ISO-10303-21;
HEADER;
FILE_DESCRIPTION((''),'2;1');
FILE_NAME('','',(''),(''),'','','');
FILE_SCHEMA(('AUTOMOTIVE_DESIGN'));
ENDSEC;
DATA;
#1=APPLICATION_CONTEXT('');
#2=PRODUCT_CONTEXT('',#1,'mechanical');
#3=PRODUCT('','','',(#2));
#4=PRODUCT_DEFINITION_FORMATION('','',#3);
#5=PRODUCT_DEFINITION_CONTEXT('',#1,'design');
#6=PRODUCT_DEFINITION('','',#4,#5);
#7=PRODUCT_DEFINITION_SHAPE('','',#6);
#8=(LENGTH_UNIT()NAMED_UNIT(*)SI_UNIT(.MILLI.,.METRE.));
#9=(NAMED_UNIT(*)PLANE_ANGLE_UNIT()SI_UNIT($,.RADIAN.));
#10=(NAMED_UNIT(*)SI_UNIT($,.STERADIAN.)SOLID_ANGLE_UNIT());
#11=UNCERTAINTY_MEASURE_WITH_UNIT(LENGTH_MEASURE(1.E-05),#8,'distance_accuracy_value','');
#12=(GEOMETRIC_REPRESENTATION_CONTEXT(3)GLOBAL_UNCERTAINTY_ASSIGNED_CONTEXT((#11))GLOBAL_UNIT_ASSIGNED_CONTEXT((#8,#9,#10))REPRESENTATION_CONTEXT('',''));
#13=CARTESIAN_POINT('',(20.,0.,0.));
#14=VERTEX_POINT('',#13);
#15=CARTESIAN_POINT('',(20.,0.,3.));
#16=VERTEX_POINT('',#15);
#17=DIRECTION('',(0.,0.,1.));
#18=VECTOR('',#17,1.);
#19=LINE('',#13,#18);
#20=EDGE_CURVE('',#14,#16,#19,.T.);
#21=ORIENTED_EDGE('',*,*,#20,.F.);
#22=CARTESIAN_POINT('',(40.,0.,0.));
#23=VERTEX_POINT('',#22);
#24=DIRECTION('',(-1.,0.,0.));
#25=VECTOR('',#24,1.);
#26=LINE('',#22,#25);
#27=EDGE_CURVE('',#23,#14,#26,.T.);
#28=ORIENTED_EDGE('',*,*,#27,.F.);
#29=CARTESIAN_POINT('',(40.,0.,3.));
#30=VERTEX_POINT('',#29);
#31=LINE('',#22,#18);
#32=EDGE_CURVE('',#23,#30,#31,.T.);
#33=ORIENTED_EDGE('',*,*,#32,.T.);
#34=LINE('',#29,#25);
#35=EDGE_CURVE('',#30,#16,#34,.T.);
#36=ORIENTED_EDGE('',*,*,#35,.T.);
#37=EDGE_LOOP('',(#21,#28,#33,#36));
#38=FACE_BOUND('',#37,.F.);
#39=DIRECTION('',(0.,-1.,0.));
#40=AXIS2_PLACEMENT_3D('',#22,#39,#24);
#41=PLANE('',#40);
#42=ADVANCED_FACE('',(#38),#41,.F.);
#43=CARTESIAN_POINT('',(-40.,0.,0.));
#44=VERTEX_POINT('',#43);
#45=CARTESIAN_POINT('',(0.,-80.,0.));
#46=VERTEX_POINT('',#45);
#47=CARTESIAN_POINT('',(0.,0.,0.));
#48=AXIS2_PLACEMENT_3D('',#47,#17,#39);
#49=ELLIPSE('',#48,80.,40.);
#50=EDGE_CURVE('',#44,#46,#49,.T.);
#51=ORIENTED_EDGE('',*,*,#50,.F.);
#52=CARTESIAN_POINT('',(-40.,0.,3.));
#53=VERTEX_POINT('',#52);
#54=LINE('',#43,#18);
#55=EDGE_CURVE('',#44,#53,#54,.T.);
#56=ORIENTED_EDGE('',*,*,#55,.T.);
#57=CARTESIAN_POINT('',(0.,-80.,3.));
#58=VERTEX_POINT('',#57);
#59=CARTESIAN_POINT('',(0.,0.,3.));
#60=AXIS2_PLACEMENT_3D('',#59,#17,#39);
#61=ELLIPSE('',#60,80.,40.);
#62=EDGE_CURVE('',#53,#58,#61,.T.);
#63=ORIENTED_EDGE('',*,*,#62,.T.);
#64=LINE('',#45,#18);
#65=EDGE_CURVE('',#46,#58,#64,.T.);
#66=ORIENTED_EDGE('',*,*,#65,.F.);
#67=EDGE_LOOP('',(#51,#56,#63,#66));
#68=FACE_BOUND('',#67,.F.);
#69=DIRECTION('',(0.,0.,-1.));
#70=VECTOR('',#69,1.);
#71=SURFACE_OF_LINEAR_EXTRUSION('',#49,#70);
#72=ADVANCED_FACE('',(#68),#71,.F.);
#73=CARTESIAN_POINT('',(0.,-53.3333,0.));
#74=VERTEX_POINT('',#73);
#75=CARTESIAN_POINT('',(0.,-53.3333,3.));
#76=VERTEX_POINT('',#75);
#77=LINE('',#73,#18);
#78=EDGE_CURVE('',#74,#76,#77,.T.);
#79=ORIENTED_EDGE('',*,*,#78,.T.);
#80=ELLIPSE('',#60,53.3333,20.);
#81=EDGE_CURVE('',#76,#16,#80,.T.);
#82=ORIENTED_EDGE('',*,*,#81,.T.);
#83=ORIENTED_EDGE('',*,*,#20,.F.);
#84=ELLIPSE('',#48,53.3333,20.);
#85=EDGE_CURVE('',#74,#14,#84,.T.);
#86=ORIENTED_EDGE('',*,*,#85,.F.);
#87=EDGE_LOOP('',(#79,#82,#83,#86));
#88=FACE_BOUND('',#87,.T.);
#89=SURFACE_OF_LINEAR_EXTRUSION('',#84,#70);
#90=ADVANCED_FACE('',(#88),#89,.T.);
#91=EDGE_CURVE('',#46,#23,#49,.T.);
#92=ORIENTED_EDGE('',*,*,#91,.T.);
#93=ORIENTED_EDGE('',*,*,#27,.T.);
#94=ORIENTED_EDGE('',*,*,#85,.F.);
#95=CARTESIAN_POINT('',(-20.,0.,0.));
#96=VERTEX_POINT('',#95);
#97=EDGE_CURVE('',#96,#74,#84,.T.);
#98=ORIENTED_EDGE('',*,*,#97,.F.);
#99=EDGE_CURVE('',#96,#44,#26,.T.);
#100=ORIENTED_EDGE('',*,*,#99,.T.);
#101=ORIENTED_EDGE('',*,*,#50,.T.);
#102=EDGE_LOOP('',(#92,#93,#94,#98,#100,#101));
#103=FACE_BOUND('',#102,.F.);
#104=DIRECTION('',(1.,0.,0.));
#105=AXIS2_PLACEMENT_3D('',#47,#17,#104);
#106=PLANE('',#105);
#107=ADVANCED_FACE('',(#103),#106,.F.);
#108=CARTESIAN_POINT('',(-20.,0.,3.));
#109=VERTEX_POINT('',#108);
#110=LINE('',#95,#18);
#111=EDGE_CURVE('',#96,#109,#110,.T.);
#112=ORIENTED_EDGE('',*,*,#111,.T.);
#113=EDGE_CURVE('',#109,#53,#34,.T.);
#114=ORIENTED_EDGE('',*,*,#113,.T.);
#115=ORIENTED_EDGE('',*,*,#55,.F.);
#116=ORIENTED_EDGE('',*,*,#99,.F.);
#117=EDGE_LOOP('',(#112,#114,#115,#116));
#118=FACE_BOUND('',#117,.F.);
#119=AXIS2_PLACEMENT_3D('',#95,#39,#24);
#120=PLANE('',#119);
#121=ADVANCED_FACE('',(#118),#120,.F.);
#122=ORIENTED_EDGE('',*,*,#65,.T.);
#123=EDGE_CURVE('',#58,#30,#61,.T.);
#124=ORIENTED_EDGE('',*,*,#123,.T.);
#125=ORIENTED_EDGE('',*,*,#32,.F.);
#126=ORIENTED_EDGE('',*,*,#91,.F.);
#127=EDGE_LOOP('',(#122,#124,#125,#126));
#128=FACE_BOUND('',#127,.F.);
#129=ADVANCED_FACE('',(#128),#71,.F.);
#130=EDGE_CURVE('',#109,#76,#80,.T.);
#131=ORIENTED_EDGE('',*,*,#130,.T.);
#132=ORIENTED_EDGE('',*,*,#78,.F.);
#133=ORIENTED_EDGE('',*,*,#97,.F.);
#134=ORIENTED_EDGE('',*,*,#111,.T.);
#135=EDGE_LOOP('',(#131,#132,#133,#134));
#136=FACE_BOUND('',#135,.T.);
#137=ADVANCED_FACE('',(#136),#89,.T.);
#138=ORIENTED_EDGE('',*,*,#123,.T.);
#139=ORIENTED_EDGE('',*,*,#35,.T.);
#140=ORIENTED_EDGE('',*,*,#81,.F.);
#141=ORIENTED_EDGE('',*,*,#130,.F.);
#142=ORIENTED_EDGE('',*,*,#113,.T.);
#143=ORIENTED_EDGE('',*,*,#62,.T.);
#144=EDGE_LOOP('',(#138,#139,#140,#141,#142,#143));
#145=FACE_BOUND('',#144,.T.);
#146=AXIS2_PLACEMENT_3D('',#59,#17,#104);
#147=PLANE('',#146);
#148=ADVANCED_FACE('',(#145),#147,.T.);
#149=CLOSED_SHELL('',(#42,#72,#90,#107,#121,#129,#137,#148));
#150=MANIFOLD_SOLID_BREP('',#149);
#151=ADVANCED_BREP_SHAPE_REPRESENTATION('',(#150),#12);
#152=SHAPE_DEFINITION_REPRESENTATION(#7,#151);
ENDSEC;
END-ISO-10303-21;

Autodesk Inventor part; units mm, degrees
ref_plane "YZ Plane" through (0, 0, 0) normal (1, 0, 0) x (0, 1, 0)
ref_plane "XZ Plane" through (0, 0, 0) normal (0, 1, 0) x (-1, 0, 0)
ref_plane "XY Plane" through (0, 0, 0) normal (0, 0, 1) x (1, 0, 0)
sketch "Sketch1" plane through (0, 0, 0) normal (0, 0, 1) x (1, 0, 0)
  ellipse E0 centre (0, 0) end of major axis (0, -80) minor radius 40
  ellipse E1 centre (0, 0) end of major axis (0, -53.3333) minor radius 20
  line L0 (40, 0) -> (-40, 0)
  point P0 (-20, 0)
  point P1 (20, 0)
  dimension "d73" = 80
  dimension "d74" = 40
  dimension "d75" = 20
  dimension "d76" = 53.3333
extrude "Plate1" add sketch "Sketch1" along normal blind 3 contours E0 L0 E1 picked at (-33.0642, -5.3304)
equation "\"d75\" = 0.5 * d74"
equation "\"d76\" = 0.666667 * d73"
equation "\"d6\" = Thickness"
equation "\"BendReliefWidth\" = Thickness"
equation "\"BendReliefDepth\" = 0.5 * Thickness"
equation "\"CornerReliefSize\" = 4 * Thickness"
equation "\"MinimumRemnant\" = 2 * Thickness"
equation "\"TransitionRadius\" = BendRadius"
equation "\"JacobiRadiusSize\" = BendRadius"
equation "\"GapSize\" = Thickness"
equation "\"Thickness\" = 3"
equation "\"BendRadius\" = 5"
properties part number "MSC 811 pillar 2" material "Stainless Steel"
